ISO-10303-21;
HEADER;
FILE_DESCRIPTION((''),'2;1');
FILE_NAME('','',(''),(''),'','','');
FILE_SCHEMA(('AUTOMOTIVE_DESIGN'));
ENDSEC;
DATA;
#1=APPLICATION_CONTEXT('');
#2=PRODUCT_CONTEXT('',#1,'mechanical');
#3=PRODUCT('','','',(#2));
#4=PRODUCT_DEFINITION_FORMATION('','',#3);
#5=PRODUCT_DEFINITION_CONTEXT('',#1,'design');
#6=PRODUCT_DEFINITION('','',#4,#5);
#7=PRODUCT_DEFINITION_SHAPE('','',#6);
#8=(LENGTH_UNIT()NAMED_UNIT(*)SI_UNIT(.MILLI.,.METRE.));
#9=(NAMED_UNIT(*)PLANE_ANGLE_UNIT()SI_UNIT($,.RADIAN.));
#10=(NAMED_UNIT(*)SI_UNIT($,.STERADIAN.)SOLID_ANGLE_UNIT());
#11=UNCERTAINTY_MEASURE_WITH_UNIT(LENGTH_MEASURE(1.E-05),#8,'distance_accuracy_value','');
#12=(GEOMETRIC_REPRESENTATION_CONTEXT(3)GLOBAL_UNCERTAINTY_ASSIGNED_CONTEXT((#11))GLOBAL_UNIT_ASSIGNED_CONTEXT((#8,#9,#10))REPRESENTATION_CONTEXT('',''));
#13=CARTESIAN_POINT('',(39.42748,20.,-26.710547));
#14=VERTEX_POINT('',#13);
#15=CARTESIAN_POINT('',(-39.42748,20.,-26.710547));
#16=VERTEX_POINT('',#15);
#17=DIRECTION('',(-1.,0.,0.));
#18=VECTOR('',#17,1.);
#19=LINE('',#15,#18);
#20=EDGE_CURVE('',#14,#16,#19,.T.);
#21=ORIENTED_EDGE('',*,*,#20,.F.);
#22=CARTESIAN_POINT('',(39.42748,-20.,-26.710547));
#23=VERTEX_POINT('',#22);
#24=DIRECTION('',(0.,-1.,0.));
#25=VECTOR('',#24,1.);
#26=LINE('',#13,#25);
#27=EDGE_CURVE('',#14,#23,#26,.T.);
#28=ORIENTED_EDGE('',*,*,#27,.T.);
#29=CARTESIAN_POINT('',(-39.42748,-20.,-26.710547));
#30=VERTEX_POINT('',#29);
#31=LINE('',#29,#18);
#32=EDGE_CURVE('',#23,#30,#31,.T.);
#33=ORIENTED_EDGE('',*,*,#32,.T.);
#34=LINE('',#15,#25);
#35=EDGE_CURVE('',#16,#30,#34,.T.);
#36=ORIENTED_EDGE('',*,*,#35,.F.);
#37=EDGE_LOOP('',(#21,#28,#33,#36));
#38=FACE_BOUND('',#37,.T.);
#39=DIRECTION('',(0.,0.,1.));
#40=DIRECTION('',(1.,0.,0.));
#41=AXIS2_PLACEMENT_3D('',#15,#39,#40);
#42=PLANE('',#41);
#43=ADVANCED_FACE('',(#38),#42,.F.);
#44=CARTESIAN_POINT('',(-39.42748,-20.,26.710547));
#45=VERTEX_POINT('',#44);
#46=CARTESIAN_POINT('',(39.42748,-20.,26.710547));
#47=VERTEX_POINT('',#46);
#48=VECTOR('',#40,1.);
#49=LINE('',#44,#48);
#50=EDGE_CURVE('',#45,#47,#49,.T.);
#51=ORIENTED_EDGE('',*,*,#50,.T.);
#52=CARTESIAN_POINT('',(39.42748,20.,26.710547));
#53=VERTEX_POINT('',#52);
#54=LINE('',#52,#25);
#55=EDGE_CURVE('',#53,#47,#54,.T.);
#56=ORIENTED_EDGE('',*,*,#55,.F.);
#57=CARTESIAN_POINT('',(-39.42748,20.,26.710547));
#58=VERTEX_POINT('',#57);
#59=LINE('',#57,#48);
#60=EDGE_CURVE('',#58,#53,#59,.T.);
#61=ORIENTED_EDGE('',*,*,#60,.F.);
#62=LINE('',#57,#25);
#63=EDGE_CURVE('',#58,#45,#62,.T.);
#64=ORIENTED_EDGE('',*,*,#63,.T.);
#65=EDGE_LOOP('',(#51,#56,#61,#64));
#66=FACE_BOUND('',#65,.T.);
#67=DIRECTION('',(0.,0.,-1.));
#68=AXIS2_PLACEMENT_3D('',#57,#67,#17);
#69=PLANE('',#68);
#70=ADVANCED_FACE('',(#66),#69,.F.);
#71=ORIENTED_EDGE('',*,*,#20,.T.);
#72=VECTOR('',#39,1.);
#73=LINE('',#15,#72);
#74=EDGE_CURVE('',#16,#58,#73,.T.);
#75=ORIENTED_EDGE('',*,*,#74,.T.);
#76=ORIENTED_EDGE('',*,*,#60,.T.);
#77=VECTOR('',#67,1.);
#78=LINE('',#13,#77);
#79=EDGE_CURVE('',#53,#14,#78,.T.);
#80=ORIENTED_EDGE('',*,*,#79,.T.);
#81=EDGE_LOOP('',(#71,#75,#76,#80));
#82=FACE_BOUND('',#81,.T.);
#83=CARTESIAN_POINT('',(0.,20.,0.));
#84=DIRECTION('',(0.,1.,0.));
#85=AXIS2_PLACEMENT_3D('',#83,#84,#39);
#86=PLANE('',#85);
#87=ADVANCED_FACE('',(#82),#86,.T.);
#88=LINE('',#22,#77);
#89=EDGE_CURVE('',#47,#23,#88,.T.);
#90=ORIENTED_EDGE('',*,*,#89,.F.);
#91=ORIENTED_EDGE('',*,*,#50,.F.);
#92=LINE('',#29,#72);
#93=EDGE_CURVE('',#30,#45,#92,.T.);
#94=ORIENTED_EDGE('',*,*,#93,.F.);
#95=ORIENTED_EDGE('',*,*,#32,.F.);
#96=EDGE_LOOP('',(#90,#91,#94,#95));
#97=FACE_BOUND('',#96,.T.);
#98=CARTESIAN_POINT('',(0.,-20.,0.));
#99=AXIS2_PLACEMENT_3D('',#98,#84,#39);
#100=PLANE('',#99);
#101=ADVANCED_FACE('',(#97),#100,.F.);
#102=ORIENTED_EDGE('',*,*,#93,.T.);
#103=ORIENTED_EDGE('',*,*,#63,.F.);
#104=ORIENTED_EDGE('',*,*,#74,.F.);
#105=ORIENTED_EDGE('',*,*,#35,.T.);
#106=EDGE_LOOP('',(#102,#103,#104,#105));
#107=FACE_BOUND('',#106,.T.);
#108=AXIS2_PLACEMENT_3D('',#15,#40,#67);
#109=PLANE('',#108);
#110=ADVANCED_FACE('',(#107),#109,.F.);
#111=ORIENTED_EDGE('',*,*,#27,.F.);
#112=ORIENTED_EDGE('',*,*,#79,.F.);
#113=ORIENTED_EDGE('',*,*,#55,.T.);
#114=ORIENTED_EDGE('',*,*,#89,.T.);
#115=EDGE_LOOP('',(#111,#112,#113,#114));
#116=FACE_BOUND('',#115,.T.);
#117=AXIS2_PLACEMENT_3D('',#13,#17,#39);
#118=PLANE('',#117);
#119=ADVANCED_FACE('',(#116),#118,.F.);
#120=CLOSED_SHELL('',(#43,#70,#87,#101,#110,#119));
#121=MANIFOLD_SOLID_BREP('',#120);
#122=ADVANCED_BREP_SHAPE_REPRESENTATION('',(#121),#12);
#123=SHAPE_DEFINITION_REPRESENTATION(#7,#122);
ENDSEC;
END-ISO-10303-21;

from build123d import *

# Parameters (mm, degrees)
SKIZZE1_W                       = 78.85495933
SKIZZE1_H                       = 53.42109464
AUFSATZ_LINEAR_AUSTRAGEN2_DEPTH = 20


with BuildPart() as part:
    # Skizze1 → Aufsatz-Linear austragen2 (new body, symmetric)
    with BuildSketch(Plane(origin=(0, 0, 0), x_dir=(1, 0, 0), z_dir=(0, 1, 0))):
        Rectangle(SKIZZE1_W, SKIZZE1_H)
    extrude(amount=AUFSATZ_LINEAR_AUSTRAGEN2_DEPTH, both=True)


solid = part.part
